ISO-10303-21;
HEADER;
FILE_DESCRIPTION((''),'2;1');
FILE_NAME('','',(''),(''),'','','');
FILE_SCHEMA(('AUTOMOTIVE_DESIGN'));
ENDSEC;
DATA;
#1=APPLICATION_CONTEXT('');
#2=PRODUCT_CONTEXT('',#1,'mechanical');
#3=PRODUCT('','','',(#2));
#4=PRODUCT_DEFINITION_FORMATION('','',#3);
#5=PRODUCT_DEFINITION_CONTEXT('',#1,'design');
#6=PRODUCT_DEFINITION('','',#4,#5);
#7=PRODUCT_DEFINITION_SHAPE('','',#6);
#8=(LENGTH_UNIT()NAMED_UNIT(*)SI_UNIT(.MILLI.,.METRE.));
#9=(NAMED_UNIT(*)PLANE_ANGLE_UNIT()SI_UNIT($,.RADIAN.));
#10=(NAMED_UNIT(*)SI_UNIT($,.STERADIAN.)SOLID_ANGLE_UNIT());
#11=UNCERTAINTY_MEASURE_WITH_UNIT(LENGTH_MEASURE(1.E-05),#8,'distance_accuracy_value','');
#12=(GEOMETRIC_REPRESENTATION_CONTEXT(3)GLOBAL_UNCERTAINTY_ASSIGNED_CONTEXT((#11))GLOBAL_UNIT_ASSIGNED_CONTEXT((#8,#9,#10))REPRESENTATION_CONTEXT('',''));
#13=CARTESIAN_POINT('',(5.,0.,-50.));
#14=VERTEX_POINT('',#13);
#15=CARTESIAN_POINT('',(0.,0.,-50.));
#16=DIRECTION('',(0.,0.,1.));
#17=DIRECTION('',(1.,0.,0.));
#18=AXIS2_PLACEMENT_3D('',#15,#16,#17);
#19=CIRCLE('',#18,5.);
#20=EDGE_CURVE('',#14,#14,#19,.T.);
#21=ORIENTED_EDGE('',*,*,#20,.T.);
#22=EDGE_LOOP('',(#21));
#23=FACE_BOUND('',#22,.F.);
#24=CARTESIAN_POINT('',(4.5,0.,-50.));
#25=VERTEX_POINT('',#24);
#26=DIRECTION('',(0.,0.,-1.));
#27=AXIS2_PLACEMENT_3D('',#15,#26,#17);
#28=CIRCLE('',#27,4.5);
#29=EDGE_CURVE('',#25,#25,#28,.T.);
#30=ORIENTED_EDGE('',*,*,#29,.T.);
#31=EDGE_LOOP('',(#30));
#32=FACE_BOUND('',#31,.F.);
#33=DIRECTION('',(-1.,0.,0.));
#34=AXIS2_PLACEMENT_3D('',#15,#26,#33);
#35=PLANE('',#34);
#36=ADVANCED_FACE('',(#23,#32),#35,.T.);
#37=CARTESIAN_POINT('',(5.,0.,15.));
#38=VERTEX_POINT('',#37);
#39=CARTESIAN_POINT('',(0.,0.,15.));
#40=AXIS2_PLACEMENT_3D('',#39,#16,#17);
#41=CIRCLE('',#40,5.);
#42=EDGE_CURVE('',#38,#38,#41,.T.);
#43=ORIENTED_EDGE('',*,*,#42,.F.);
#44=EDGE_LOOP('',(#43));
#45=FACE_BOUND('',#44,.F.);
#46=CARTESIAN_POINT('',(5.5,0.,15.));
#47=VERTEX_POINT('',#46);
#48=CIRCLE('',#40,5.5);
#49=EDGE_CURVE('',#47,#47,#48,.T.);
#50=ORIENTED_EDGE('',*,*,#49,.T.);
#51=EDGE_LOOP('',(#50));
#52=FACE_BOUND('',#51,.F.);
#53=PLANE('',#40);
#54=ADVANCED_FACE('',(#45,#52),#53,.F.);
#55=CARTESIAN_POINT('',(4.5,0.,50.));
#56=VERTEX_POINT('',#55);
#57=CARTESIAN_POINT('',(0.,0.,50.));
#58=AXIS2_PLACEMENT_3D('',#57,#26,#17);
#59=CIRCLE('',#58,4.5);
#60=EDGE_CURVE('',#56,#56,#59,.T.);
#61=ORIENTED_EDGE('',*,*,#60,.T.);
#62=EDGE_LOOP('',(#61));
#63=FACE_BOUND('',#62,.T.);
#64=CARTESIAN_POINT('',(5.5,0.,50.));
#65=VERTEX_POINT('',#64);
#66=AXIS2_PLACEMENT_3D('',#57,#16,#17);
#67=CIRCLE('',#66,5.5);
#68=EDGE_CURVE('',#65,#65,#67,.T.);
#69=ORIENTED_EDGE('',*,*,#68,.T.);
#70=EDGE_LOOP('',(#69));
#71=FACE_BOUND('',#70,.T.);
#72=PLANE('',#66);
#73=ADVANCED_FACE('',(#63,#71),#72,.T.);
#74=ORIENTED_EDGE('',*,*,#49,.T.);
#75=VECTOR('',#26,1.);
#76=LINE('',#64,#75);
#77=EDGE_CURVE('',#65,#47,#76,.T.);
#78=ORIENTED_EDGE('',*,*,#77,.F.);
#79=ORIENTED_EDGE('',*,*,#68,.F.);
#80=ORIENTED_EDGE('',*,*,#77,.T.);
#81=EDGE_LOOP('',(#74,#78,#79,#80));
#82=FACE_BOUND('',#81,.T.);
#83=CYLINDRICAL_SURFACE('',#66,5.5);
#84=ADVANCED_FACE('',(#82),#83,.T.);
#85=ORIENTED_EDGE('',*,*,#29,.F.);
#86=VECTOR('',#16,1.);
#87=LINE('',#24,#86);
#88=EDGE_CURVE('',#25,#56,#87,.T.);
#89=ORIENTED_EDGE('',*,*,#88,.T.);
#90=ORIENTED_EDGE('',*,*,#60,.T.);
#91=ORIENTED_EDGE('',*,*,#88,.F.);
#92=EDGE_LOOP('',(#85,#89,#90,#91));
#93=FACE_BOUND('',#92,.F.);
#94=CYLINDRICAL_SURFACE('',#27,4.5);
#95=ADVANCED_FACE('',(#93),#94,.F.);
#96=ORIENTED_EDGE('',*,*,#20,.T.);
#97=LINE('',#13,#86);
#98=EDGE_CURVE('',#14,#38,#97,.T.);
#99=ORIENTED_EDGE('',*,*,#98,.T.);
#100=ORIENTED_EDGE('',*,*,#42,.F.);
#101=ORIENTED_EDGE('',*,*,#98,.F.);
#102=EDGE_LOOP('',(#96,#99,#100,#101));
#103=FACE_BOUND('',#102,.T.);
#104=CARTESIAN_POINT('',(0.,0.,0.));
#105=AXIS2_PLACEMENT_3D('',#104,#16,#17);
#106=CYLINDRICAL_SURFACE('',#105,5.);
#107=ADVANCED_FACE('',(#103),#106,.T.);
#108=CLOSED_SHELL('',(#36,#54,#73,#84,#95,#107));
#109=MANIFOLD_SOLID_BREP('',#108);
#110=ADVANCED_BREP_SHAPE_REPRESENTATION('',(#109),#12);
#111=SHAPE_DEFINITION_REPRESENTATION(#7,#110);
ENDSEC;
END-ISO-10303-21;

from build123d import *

# Parameters (mm, degrees)
F0_R     = 5
F1_DEPTH = 50
F3_R     = 4.5
F4_DEPTH = 100
F5_R     = 5.5
F5_R_2   = 5
F6_DEPTH = 35


with BuildPart() as f1:
    # F0 (on Top) → F1 (new body)
    with BuildSketch(Plane.XY):
        Circle(F0_R)
    extrude(amount=F1_DEPTH)

    # F2: F1 across face


with BuildPart() as f1_1:
    add(f1.part)
    add(f1.part.mirror(Plane(origin=(0, 0, 0), x_dir=(1, 0, 0), z_dir=(0, 0, -1))))

    # F3 (on face) → F4 (cut)
    with BuildSketch(Plane(origin=(0, 0, -50), x_dir=(1, 0, 0), z_dir=(0, 0, -1))):
        Circle(F3_R)
    extrude(amount=-F4_DEPTH, mode=Mode.SUBTRACT)

    # F5 (on face) → F6 (join)
    with BuildSketch(Plane.XY.offset(50)):
        Circle(F5_R)
        Circle(F5_R_2, mode=Mode.SUBTRACT)
    extrude(amount=-F6_DEPTH)


solid = f1_1.part
